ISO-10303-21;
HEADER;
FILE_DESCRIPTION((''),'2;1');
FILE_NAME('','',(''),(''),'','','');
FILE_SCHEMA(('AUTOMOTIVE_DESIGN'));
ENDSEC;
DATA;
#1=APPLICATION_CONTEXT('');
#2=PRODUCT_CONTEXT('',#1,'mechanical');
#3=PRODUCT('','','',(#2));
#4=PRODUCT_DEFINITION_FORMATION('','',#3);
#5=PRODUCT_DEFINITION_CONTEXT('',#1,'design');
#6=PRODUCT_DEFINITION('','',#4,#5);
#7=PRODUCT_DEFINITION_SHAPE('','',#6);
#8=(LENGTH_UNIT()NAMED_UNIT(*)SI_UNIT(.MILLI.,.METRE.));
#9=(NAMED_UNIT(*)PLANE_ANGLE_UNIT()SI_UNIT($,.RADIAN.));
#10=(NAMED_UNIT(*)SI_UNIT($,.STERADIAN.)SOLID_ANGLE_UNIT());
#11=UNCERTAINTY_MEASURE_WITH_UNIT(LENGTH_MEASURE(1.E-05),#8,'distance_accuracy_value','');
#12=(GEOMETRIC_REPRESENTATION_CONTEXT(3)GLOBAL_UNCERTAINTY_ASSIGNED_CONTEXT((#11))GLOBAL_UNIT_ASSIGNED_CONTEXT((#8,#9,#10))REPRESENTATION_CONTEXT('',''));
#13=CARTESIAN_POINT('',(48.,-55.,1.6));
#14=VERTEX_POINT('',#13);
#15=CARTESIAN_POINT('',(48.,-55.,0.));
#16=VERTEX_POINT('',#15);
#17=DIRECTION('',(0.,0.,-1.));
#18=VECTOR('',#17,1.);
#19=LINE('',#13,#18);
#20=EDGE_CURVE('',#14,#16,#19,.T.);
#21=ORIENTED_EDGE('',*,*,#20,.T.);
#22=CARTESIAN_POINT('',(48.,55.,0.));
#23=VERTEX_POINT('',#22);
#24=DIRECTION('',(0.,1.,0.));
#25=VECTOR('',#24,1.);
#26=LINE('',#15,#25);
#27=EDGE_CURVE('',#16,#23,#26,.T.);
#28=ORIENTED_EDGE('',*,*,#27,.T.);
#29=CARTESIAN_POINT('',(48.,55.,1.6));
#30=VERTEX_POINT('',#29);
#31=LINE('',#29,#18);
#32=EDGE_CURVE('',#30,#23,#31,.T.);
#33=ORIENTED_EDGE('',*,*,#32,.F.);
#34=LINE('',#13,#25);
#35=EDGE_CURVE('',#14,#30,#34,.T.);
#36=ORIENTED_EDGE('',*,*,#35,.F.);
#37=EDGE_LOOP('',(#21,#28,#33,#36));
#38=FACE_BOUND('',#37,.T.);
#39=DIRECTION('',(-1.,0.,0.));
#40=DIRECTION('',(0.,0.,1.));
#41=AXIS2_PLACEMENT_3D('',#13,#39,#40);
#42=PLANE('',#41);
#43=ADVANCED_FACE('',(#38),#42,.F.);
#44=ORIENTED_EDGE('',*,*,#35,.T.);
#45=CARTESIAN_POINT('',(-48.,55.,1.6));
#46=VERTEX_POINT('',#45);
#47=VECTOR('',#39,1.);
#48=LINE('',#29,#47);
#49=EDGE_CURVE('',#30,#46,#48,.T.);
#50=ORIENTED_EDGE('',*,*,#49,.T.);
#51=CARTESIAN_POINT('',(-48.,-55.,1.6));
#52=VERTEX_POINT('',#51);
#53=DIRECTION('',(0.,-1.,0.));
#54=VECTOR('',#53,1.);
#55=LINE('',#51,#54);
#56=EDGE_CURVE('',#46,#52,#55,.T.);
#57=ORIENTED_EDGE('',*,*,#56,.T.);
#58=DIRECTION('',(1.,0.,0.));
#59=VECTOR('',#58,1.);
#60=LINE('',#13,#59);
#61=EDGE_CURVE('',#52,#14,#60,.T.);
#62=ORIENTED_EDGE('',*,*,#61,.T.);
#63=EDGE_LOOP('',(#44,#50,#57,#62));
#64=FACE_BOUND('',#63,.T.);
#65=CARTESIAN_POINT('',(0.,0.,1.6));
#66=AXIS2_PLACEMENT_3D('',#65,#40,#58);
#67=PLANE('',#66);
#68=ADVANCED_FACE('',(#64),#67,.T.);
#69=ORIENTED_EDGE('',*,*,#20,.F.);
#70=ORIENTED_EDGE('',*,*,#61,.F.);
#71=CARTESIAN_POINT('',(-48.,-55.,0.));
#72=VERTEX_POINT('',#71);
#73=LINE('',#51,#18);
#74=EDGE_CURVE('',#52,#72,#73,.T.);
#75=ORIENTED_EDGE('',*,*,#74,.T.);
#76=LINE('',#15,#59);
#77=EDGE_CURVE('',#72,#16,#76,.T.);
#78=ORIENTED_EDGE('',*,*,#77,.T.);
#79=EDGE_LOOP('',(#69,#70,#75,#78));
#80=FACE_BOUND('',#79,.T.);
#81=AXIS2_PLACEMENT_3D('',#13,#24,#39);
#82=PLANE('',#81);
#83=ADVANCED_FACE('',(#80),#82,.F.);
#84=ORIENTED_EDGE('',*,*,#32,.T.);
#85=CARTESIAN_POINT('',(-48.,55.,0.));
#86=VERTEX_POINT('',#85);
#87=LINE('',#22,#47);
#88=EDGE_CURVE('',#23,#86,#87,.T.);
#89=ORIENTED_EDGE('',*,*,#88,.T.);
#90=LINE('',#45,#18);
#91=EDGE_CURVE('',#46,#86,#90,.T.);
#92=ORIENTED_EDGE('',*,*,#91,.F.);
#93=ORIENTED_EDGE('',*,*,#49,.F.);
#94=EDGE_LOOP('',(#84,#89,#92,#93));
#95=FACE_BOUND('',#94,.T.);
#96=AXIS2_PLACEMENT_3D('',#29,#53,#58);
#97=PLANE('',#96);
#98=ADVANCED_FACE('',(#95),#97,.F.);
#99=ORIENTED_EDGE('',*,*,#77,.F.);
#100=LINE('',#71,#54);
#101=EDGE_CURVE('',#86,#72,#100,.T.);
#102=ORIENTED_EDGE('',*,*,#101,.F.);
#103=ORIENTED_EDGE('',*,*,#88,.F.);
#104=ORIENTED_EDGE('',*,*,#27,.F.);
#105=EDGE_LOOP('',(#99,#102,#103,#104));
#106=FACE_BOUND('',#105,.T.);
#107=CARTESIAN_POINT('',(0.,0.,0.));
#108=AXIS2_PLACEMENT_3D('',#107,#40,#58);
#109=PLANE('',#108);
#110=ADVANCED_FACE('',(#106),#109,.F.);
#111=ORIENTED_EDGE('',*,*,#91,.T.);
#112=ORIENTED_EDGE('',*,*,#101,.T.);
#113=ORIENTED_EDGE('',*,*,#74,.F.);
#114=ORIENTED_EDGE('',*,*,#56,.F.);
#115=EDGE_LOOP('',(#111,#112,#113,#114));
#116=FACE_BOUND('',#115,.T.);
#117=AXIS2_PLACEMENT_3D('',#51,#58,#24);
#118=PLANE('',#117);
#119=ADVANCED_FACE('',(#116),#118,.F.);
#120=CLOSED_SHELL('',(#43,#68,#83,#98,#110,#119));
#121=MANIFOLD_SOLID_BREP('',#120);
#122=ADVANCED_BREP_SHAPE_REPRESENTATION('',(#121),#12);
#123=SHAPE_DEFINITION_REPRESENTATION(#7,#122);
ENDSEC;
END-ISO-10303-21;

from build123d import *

# Parameters (mm, degrees)
SKETCH1_W           = 96
SKETCH1_H           = 110
BOSS_EXTRUDE1_DEPTH = 1.6


with BuildPart() as part:
    # Sketch1 → Boss-Extrude1 (new body)
    with BuildSketch(Plane.XY):
        Rectangle(SKETCH1_W, SKETCH1_H)
    extrude(amount=BOSS_EXTRUDE1_DEPTH)


solid = part.part
